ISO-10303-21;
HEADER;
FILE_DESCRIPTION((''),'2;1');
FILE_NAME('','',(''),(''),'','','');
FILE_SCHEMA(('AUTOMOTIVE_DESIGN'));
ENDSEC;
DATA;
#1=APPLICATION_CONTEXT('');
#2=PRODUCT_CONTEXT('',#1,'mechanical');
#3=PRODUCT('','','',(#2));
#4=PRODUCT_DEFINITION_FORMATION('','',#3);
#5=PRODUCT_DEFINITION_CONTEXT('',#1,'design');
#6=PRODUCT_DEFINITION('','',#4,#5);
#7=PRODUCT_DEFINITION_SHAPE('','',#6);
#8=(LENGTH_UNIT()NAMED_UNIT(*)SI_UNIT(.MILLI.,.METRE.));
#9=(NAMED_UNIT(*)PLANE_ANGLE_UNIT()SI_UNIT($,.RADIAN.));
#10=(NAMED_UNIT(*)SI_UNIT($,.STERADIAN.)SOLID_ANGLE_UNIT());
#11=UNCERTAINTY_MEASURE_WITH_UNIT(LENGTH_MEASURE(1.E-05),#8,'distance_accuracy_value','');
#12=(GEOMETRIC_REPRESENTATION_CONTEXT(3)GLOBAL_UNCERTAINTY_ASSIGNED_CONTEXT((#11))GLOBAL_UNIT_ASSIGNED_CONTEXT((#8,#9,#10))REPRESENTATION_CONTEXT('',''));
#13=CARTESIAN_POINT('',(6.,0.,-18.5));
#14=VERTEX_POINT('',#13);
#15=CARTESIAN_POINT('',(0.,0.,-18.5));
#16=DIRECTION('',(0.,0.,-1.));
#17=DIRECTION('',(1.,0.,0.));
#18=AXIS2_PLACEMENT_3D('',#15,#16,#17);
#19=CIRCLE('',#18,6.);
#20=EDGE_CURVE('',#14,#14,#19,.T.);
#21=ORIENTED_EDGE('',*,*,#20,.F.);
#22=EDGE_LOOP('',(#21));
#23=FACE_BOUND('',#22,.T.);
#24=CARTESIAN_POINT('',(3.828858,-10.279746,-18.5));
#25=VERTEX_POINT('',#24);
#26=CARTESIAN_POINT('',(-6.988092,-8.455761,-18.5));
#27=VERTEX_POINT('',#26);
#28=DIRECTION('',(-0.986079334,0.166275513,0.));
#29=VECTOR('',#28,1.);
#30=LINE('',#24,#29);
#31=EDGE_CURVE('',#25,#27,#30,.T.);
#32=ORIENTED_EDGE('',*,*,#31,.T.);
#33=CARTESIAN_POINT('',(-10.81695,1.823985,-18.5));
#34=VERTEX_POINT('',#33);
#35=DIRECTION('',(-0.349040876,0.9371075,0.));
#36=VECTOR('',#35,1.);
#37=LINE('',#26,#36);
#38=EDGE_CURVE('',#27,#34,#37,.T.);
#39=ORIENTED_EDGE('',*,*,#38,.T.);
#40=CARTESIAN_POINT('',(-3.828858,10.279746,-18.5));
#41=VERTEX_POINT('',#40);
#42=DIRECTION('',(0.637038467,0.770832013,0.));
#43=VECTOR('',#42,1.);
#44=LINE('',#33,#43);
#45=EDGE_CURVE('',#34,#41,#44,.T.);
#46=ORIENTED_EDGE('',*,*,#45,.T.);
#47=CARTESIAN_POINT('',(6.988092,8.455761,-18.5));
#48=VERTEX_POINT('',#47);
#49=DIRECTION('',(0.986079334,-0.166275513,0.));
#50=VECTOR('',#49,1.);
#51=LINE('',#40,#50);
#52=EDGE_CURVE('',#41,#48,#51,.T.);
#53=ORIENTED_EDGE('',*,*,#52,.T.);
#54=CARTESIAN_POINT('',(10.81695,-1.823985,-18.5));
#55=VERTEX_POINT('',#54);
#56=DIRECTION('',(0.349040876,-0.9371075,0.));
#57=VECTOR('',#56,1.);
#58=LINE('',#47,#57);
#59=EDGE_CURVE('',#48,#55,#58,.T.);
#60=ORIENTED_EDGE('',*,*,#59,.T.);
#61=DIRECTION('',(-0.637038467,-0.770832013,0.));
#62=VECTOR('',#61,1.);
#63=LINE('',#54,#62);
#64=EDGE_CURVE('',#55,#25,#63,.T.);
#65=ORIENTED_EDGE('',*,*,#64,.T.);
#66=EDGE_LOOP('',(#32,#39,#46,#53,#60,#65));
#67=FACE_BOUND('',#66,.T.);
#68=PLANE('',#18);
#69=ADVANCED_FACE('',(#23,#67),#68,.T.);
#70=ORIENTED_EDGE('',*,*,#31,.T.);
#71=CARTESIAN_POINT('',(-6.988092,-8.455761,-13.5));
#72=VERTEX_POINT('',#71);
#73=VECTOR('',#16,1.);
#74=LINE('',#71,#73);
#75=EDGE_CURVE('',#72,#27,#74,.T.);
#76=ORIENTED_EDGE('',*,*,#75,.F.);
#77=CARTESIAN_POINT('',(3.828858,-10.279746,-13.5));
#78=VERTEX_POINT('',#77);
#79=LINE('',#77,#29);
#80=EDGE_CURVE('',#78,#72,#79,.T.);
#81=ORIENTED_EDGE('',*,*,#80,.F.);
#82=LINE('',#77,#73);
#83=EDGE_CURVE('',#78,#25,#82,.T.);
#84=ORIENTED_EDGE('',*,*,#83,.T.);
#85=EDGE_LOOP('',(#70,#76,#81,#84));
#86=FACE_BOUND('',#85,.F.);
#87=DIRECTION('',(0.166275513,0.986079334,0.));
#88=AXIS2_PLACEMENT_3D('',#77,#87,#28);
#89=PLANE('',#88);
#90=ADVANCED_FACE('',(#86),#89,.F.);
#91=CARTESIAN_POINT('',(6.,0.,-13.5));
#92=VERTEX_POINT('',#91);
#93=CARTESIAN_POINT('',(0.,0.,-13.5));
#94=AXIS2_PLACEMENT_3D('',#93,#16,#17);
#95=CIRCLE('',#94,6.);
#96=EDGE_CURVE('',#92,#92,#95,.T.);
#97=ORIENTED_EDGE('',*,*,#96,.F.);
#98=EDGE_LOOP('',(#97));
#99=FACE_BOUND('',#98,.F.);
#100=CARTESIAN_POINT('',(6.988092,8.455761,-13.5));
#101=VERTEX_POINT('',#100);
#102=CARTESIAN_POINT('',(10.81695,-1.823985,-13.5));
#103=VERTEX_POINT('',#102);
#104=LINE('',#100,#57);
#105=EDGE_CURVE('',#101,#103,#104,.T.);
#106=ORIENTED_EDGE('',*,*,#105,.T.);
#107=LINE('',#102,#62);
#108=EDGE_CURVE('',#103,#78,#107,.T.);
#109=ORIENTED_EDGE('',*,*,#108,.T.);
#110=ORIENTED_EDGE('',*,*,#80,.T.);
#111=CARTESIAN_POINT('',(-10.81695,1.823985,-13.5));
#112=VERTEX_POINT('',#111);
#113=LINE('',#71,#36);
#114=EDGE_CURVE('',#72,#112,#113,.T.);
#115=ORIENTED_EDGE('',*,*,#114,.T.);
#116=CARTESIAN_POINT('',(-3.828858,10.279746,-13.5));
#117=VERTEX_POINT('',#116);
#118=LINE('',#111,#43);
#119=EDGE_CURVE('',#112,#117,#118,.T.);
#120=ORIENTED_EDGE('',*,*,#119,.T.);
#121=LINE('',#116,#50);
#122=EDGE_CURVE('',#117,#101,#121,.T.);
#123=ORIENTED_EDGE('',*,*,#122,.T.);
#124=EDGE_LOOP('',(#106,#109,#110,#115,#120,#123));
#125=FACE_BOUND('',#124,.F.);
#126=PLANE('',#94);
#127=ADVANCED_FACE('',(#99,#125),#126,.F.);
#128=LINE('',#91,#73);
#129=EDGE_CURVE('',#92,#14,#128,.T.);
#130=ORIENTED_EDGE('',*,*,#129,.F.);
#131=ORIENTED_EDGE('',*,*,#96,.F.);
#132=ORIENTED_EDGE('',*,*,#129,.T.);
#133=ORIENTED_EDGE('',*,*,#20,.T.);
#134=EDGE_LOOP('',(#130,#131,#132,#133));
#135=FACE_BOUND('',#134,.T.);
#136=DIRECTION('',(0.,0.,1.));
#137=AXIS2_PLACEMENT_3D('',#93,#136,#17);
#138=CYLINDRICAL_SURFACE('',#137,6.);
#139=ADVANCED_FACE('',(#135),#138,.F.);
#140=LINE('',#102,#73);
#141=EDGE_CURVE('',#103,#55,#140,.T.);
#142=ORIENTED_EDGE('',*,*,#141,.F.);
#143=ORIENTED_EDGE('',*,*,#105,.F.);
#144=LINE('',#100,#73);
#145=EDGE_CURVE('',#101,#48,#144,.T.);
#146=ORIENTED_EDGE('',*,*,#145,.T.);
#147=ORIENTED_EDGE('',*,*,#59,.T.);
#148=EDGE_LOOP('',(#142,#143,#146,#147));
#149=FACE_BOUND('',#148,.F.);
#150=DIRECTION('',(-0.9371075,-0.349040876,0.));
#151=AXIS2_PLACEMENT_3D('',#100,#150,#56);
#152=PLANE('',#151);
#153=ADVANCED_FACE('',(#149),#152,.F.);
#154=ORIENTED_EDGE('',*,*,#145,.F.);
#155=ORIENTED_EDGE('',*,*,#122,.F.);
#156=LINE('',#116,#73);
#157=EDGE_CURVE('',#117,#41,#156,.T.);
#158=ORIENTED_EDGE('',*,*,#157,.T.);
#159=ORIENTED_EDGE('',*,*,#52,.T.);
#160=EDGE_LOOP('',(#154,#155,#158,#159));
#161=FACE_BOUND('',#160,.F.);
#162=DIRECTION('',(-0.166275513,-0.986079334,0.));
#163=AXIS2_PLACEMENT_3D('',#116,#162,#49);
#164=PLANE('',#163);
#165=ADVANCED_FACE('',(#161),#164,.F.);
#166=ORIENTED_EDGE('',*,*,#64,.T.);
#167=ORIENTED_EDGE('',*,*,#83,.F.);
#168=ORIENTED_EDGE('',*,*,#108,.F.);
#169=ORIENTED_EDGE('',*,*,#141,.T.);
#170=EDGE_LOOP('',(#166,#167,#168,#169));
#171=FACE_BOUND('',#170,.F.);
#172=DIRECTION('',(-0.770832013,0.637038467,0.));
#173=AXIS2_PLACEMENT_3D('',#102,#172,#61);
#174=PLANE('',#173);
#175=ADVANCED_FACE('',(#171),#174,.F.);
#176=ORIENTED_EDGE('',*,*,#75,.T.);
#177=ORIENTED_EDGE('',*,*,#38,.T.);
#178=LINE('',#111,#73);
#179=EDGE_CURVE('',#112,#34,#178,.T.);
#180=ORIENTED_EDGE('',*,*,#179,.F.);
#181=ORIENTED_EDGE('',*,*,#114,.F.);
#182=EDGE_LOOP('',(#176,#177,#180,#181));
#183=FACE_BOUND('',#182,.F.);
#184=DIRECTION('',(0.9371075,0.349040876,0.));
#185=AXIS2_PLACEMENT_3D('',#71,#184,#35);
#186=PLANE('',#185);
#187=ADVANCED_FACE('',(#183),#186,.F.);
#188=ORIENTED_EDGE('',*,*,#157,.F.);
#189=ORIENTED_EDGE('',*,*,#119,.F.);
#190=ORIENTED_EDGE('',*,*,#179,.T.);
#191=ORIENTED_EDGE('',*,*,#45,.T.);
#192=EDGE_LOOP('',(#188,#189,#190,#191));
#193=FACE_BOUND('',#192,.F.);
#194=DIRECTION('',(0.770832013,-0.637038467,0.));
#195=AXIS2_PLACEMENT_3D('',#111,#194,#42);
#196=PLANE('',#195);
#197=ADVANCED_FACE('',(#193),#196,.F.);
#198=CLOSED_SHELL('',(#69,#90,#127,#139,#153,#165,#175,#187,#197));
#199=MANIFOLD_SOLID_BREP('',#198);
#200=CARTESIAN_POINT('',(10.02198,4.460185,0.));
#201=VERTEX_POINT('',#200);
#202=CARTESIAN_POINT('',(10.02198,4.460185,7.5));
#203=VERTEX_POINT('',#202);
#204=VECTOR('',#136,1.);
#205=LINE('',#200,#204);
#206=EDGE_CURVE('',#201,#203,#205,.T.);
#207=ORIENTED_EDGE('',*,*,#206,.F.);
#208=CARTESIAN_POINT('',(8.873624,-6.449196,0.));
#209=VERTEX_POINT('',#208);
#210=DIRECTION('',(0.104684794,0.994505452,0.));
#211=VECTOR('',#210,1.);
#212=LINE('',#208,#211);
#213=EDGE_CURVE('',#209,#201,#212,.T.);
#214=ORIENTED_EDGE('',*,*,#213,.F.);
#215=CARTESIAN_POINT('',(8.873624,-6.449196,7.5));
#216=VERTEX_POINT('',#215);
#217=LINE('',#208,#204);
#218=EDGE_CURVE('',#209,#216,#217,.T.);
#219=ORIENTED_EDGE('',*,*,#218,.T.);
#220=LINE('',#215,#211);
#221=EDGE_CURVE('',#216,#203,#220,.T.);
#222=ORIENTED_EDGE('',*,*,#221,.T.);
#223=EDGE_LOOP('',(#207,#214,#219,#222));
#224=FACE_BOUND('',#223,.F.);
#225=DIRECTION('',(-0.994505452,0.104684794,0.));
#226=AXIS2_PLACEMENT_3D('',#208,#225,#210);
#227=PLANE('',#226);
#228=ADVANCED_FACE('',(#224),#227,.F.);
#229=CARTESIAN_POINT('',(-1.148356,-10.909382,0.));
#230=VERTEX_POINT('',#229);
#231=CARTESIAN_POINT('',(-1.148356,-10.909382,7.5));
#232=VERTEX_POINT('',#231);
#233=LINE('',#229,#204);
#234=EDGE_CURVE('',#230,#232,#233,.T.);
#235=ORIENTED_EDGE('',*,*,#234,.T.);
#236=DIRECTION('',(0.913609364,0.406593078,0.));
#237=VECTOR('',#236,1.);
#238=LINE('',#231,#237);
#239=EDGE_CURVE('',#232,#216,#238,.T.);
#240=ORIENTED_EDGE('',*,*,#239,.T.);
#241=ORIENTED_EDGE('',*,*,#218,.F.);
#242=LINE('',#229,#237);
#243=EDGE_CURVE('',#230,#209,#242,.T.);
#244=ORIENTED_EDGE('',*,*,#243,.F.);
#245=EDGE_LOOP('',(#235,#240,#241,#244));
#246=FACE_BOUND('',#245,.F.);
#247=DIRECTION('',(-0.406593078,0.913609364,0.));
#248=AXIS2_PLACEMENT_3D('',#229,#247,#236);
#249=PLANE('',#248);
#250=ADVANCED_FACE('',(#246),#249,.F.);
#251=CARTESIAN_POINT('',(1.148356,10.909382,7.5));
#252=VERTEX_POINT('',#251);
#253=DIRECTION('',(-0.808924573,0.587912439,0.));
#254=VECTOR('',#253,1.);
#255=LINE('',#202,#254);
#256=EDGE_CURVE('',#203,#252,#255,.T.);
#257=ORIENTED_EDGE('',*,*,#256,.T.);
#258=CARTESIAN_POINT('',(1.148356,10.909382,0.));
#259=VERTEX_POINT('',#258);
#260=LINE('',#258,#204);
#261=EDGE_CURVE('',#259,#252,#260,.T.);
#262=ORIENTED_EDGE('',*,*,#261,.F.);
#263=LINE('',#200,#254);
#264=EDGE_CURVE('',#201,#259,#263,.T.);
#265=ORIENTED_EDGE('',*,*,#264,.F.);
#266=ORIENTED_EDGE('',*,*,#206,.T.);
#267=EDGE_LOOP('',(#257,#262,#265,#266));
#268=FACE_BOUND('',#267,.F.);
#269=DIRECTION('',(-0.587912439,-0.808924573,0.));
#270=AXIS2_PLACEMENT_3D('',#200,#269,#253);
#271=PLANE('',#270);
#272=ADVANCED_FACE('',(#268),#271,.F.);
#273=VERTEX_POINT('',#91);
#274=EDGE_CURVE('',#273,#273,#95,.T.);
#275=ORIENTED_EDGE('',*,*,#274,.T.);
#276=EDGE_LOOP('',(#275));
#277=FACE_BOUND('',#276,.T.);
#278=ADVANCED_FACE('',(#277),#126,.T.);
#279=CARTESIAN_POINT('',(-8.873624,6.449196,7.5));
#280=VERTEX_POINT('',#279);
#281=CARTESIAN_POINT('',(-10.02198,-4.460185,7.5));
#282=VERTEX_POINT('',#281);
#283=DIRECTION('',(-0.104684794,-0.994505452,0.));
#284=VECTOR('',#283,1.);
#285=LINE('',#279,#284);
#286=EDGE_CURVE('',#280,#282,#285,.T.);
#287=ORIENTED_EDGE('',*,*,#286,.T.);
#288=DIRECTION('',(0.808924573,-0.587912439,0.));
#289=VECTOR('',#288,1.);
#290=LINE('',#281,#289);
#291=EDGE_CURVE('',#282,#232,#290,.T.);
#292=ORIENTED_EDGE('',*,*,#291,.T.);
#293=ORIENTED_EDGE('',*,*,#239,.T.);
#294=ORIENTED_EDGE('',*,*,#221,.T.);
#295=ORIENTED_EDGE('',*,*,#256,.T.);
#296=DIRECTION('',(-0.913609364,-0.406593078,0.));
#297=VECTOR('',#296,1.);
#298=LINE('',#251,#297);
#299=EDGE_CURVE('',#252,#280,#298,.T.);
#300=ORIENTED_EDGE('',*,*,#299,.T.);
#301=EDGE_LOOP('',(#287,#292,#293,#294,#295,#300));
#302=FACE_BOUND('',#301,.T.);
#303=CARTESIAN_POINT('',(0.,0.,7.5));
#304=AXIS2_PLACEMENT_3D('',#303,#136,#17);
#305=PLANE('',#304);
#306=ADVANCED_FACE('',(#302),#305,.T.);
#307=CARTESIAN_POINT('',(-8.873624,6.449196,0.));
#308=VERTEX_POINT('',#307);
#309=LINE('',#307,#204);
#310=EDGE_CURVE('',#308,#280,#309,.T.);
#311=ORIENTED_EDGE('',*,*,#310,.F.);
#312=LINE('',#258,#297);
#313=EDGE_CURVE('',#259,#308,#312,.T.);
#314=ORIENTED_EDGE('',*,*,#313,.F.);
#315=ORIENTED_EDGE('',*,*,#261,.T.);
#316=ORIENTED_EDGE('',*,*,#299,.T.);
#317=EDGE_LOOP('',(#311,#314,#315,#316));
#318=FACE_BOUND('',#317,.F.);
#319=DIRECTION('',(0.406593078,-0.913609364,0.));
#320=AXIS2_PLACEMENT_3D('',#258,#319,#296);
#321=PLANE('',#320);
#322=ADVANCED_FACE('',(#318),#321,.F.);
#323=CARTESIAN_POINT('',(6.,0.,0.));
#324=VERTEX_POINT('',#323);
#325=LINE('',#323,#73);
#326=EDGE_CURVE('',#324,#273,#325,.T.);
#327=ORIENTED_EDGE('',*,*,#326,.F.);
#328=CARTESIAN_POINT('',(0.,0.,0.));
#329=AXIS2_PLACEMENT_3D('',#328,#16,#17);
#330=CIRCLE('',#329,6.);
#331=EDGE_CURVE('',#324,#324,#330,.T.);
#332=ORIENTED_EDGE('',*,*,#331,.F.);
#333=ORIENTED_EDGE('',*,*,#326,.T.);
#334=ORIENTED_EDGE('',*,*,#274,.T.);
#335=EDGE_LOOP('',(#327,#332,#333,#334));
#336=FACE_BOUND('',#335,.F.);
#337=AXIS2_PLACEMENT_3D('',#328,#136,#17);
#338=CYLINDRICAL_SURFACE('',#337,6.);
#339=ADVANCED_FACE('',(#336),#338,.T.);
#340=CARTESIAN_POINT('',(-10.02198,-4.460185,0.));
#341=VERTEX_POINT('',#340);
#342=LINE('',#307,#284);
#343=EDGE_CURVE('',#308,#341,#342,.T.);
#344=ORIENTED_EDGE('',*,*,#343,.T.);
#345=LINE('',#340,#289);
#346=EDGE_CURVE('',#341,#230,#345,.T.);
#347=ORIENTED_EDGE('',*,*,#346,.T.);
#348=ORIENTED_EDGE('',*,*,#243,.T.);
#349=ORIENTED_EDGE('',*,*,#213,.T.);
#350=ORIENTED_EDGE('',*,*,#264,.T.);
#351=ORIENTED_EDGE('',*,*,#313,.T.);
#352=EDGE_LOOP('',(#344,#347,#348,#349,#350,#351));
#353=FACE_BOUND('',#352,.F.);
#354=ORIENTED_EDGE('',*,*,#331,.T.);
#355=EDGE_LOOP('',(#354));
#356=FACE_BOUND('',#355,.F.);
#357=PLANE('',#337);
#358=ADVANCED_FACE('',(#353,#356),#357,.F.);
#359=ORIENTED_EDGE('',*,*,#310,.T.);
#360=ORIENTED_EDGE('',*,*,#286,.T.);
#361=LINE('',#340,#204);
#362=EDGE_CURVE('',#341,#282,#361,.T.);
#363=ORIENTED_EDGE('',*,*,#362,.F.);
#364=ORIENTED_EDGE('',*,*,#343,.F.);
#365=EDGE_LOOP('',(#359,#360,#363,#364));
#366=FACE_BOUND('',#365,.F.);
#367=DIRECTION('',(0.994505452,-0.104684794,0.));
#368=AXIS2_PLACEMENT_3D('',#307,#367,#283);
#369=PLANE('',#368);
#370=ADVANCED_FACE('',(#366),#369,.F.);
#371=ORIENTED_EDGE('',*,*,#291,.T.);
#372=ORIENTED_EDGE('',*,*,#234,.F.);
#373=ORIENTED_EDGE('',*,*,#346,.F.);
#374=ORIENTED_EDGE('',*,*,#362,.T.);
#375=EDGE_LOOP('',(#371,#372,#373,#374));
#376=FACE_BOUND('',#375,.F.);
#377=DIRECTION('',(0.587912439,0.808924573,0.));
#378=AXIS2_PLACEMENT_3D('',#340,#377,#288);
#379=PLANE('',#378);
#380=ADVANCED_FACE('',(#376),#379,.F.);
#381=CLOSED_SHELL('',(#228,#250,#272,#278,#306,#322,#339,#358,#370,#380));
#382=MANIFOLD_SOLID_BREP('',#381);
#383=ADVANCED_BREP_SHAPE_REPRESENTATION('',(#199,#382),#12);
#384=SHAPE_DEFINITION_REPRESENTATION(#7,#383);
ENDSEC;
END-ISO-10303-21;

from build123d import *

# Parameters (mm, degrees)
F1_DEPTH = 7.5
F2_R     = 6
F3_DEPTH = 13.5
F4_R     = 6
F5_DEPTH = 5


with BuildPart() as f1:
    # F0 (on Top) → F1 (new body)
    with BuildSketch(Plane.XY):
        Polygon((-8.873624, 6.449196), (-10.02198, -4.460185), (-1.148356, -10.909382), (8.873624, -6.449196), (10.02198, 4.460185), (1.148356, 10.909382), align=None)
    extrude(amount=F1_DEPTH)

    # F2 (on face) → F3 (join)
    with BuildSketch(Plane(origin=(0, 0, 0), x_dir=(1, 0, 0), z_dir=(0, 0, -1))):
        Circle(F2_R)
    extrude(amount=F3_DEPTH)


with BuildPart() as f5:
    # F4 (on face) → F5 (new body)
    with BuildSketch(Plane(origin=(0, 0, -13.5), x_dir=(1, 0, 0), z_dir=(0, 0, -1))):
        Polygon((6.988092, -8.455761), (10.81695, 1.823985), (3.828858, 10.279746), (-6.988092, 8.455761), (-10.81695, -1.823985), (-3.828858, -10.279746), align=None)
        Circle(F4_R, mode=Mode.SUBTRACT)
    extrude(amount=F5_DEPTH)


solid = Compound([f1.part, f5.part])
